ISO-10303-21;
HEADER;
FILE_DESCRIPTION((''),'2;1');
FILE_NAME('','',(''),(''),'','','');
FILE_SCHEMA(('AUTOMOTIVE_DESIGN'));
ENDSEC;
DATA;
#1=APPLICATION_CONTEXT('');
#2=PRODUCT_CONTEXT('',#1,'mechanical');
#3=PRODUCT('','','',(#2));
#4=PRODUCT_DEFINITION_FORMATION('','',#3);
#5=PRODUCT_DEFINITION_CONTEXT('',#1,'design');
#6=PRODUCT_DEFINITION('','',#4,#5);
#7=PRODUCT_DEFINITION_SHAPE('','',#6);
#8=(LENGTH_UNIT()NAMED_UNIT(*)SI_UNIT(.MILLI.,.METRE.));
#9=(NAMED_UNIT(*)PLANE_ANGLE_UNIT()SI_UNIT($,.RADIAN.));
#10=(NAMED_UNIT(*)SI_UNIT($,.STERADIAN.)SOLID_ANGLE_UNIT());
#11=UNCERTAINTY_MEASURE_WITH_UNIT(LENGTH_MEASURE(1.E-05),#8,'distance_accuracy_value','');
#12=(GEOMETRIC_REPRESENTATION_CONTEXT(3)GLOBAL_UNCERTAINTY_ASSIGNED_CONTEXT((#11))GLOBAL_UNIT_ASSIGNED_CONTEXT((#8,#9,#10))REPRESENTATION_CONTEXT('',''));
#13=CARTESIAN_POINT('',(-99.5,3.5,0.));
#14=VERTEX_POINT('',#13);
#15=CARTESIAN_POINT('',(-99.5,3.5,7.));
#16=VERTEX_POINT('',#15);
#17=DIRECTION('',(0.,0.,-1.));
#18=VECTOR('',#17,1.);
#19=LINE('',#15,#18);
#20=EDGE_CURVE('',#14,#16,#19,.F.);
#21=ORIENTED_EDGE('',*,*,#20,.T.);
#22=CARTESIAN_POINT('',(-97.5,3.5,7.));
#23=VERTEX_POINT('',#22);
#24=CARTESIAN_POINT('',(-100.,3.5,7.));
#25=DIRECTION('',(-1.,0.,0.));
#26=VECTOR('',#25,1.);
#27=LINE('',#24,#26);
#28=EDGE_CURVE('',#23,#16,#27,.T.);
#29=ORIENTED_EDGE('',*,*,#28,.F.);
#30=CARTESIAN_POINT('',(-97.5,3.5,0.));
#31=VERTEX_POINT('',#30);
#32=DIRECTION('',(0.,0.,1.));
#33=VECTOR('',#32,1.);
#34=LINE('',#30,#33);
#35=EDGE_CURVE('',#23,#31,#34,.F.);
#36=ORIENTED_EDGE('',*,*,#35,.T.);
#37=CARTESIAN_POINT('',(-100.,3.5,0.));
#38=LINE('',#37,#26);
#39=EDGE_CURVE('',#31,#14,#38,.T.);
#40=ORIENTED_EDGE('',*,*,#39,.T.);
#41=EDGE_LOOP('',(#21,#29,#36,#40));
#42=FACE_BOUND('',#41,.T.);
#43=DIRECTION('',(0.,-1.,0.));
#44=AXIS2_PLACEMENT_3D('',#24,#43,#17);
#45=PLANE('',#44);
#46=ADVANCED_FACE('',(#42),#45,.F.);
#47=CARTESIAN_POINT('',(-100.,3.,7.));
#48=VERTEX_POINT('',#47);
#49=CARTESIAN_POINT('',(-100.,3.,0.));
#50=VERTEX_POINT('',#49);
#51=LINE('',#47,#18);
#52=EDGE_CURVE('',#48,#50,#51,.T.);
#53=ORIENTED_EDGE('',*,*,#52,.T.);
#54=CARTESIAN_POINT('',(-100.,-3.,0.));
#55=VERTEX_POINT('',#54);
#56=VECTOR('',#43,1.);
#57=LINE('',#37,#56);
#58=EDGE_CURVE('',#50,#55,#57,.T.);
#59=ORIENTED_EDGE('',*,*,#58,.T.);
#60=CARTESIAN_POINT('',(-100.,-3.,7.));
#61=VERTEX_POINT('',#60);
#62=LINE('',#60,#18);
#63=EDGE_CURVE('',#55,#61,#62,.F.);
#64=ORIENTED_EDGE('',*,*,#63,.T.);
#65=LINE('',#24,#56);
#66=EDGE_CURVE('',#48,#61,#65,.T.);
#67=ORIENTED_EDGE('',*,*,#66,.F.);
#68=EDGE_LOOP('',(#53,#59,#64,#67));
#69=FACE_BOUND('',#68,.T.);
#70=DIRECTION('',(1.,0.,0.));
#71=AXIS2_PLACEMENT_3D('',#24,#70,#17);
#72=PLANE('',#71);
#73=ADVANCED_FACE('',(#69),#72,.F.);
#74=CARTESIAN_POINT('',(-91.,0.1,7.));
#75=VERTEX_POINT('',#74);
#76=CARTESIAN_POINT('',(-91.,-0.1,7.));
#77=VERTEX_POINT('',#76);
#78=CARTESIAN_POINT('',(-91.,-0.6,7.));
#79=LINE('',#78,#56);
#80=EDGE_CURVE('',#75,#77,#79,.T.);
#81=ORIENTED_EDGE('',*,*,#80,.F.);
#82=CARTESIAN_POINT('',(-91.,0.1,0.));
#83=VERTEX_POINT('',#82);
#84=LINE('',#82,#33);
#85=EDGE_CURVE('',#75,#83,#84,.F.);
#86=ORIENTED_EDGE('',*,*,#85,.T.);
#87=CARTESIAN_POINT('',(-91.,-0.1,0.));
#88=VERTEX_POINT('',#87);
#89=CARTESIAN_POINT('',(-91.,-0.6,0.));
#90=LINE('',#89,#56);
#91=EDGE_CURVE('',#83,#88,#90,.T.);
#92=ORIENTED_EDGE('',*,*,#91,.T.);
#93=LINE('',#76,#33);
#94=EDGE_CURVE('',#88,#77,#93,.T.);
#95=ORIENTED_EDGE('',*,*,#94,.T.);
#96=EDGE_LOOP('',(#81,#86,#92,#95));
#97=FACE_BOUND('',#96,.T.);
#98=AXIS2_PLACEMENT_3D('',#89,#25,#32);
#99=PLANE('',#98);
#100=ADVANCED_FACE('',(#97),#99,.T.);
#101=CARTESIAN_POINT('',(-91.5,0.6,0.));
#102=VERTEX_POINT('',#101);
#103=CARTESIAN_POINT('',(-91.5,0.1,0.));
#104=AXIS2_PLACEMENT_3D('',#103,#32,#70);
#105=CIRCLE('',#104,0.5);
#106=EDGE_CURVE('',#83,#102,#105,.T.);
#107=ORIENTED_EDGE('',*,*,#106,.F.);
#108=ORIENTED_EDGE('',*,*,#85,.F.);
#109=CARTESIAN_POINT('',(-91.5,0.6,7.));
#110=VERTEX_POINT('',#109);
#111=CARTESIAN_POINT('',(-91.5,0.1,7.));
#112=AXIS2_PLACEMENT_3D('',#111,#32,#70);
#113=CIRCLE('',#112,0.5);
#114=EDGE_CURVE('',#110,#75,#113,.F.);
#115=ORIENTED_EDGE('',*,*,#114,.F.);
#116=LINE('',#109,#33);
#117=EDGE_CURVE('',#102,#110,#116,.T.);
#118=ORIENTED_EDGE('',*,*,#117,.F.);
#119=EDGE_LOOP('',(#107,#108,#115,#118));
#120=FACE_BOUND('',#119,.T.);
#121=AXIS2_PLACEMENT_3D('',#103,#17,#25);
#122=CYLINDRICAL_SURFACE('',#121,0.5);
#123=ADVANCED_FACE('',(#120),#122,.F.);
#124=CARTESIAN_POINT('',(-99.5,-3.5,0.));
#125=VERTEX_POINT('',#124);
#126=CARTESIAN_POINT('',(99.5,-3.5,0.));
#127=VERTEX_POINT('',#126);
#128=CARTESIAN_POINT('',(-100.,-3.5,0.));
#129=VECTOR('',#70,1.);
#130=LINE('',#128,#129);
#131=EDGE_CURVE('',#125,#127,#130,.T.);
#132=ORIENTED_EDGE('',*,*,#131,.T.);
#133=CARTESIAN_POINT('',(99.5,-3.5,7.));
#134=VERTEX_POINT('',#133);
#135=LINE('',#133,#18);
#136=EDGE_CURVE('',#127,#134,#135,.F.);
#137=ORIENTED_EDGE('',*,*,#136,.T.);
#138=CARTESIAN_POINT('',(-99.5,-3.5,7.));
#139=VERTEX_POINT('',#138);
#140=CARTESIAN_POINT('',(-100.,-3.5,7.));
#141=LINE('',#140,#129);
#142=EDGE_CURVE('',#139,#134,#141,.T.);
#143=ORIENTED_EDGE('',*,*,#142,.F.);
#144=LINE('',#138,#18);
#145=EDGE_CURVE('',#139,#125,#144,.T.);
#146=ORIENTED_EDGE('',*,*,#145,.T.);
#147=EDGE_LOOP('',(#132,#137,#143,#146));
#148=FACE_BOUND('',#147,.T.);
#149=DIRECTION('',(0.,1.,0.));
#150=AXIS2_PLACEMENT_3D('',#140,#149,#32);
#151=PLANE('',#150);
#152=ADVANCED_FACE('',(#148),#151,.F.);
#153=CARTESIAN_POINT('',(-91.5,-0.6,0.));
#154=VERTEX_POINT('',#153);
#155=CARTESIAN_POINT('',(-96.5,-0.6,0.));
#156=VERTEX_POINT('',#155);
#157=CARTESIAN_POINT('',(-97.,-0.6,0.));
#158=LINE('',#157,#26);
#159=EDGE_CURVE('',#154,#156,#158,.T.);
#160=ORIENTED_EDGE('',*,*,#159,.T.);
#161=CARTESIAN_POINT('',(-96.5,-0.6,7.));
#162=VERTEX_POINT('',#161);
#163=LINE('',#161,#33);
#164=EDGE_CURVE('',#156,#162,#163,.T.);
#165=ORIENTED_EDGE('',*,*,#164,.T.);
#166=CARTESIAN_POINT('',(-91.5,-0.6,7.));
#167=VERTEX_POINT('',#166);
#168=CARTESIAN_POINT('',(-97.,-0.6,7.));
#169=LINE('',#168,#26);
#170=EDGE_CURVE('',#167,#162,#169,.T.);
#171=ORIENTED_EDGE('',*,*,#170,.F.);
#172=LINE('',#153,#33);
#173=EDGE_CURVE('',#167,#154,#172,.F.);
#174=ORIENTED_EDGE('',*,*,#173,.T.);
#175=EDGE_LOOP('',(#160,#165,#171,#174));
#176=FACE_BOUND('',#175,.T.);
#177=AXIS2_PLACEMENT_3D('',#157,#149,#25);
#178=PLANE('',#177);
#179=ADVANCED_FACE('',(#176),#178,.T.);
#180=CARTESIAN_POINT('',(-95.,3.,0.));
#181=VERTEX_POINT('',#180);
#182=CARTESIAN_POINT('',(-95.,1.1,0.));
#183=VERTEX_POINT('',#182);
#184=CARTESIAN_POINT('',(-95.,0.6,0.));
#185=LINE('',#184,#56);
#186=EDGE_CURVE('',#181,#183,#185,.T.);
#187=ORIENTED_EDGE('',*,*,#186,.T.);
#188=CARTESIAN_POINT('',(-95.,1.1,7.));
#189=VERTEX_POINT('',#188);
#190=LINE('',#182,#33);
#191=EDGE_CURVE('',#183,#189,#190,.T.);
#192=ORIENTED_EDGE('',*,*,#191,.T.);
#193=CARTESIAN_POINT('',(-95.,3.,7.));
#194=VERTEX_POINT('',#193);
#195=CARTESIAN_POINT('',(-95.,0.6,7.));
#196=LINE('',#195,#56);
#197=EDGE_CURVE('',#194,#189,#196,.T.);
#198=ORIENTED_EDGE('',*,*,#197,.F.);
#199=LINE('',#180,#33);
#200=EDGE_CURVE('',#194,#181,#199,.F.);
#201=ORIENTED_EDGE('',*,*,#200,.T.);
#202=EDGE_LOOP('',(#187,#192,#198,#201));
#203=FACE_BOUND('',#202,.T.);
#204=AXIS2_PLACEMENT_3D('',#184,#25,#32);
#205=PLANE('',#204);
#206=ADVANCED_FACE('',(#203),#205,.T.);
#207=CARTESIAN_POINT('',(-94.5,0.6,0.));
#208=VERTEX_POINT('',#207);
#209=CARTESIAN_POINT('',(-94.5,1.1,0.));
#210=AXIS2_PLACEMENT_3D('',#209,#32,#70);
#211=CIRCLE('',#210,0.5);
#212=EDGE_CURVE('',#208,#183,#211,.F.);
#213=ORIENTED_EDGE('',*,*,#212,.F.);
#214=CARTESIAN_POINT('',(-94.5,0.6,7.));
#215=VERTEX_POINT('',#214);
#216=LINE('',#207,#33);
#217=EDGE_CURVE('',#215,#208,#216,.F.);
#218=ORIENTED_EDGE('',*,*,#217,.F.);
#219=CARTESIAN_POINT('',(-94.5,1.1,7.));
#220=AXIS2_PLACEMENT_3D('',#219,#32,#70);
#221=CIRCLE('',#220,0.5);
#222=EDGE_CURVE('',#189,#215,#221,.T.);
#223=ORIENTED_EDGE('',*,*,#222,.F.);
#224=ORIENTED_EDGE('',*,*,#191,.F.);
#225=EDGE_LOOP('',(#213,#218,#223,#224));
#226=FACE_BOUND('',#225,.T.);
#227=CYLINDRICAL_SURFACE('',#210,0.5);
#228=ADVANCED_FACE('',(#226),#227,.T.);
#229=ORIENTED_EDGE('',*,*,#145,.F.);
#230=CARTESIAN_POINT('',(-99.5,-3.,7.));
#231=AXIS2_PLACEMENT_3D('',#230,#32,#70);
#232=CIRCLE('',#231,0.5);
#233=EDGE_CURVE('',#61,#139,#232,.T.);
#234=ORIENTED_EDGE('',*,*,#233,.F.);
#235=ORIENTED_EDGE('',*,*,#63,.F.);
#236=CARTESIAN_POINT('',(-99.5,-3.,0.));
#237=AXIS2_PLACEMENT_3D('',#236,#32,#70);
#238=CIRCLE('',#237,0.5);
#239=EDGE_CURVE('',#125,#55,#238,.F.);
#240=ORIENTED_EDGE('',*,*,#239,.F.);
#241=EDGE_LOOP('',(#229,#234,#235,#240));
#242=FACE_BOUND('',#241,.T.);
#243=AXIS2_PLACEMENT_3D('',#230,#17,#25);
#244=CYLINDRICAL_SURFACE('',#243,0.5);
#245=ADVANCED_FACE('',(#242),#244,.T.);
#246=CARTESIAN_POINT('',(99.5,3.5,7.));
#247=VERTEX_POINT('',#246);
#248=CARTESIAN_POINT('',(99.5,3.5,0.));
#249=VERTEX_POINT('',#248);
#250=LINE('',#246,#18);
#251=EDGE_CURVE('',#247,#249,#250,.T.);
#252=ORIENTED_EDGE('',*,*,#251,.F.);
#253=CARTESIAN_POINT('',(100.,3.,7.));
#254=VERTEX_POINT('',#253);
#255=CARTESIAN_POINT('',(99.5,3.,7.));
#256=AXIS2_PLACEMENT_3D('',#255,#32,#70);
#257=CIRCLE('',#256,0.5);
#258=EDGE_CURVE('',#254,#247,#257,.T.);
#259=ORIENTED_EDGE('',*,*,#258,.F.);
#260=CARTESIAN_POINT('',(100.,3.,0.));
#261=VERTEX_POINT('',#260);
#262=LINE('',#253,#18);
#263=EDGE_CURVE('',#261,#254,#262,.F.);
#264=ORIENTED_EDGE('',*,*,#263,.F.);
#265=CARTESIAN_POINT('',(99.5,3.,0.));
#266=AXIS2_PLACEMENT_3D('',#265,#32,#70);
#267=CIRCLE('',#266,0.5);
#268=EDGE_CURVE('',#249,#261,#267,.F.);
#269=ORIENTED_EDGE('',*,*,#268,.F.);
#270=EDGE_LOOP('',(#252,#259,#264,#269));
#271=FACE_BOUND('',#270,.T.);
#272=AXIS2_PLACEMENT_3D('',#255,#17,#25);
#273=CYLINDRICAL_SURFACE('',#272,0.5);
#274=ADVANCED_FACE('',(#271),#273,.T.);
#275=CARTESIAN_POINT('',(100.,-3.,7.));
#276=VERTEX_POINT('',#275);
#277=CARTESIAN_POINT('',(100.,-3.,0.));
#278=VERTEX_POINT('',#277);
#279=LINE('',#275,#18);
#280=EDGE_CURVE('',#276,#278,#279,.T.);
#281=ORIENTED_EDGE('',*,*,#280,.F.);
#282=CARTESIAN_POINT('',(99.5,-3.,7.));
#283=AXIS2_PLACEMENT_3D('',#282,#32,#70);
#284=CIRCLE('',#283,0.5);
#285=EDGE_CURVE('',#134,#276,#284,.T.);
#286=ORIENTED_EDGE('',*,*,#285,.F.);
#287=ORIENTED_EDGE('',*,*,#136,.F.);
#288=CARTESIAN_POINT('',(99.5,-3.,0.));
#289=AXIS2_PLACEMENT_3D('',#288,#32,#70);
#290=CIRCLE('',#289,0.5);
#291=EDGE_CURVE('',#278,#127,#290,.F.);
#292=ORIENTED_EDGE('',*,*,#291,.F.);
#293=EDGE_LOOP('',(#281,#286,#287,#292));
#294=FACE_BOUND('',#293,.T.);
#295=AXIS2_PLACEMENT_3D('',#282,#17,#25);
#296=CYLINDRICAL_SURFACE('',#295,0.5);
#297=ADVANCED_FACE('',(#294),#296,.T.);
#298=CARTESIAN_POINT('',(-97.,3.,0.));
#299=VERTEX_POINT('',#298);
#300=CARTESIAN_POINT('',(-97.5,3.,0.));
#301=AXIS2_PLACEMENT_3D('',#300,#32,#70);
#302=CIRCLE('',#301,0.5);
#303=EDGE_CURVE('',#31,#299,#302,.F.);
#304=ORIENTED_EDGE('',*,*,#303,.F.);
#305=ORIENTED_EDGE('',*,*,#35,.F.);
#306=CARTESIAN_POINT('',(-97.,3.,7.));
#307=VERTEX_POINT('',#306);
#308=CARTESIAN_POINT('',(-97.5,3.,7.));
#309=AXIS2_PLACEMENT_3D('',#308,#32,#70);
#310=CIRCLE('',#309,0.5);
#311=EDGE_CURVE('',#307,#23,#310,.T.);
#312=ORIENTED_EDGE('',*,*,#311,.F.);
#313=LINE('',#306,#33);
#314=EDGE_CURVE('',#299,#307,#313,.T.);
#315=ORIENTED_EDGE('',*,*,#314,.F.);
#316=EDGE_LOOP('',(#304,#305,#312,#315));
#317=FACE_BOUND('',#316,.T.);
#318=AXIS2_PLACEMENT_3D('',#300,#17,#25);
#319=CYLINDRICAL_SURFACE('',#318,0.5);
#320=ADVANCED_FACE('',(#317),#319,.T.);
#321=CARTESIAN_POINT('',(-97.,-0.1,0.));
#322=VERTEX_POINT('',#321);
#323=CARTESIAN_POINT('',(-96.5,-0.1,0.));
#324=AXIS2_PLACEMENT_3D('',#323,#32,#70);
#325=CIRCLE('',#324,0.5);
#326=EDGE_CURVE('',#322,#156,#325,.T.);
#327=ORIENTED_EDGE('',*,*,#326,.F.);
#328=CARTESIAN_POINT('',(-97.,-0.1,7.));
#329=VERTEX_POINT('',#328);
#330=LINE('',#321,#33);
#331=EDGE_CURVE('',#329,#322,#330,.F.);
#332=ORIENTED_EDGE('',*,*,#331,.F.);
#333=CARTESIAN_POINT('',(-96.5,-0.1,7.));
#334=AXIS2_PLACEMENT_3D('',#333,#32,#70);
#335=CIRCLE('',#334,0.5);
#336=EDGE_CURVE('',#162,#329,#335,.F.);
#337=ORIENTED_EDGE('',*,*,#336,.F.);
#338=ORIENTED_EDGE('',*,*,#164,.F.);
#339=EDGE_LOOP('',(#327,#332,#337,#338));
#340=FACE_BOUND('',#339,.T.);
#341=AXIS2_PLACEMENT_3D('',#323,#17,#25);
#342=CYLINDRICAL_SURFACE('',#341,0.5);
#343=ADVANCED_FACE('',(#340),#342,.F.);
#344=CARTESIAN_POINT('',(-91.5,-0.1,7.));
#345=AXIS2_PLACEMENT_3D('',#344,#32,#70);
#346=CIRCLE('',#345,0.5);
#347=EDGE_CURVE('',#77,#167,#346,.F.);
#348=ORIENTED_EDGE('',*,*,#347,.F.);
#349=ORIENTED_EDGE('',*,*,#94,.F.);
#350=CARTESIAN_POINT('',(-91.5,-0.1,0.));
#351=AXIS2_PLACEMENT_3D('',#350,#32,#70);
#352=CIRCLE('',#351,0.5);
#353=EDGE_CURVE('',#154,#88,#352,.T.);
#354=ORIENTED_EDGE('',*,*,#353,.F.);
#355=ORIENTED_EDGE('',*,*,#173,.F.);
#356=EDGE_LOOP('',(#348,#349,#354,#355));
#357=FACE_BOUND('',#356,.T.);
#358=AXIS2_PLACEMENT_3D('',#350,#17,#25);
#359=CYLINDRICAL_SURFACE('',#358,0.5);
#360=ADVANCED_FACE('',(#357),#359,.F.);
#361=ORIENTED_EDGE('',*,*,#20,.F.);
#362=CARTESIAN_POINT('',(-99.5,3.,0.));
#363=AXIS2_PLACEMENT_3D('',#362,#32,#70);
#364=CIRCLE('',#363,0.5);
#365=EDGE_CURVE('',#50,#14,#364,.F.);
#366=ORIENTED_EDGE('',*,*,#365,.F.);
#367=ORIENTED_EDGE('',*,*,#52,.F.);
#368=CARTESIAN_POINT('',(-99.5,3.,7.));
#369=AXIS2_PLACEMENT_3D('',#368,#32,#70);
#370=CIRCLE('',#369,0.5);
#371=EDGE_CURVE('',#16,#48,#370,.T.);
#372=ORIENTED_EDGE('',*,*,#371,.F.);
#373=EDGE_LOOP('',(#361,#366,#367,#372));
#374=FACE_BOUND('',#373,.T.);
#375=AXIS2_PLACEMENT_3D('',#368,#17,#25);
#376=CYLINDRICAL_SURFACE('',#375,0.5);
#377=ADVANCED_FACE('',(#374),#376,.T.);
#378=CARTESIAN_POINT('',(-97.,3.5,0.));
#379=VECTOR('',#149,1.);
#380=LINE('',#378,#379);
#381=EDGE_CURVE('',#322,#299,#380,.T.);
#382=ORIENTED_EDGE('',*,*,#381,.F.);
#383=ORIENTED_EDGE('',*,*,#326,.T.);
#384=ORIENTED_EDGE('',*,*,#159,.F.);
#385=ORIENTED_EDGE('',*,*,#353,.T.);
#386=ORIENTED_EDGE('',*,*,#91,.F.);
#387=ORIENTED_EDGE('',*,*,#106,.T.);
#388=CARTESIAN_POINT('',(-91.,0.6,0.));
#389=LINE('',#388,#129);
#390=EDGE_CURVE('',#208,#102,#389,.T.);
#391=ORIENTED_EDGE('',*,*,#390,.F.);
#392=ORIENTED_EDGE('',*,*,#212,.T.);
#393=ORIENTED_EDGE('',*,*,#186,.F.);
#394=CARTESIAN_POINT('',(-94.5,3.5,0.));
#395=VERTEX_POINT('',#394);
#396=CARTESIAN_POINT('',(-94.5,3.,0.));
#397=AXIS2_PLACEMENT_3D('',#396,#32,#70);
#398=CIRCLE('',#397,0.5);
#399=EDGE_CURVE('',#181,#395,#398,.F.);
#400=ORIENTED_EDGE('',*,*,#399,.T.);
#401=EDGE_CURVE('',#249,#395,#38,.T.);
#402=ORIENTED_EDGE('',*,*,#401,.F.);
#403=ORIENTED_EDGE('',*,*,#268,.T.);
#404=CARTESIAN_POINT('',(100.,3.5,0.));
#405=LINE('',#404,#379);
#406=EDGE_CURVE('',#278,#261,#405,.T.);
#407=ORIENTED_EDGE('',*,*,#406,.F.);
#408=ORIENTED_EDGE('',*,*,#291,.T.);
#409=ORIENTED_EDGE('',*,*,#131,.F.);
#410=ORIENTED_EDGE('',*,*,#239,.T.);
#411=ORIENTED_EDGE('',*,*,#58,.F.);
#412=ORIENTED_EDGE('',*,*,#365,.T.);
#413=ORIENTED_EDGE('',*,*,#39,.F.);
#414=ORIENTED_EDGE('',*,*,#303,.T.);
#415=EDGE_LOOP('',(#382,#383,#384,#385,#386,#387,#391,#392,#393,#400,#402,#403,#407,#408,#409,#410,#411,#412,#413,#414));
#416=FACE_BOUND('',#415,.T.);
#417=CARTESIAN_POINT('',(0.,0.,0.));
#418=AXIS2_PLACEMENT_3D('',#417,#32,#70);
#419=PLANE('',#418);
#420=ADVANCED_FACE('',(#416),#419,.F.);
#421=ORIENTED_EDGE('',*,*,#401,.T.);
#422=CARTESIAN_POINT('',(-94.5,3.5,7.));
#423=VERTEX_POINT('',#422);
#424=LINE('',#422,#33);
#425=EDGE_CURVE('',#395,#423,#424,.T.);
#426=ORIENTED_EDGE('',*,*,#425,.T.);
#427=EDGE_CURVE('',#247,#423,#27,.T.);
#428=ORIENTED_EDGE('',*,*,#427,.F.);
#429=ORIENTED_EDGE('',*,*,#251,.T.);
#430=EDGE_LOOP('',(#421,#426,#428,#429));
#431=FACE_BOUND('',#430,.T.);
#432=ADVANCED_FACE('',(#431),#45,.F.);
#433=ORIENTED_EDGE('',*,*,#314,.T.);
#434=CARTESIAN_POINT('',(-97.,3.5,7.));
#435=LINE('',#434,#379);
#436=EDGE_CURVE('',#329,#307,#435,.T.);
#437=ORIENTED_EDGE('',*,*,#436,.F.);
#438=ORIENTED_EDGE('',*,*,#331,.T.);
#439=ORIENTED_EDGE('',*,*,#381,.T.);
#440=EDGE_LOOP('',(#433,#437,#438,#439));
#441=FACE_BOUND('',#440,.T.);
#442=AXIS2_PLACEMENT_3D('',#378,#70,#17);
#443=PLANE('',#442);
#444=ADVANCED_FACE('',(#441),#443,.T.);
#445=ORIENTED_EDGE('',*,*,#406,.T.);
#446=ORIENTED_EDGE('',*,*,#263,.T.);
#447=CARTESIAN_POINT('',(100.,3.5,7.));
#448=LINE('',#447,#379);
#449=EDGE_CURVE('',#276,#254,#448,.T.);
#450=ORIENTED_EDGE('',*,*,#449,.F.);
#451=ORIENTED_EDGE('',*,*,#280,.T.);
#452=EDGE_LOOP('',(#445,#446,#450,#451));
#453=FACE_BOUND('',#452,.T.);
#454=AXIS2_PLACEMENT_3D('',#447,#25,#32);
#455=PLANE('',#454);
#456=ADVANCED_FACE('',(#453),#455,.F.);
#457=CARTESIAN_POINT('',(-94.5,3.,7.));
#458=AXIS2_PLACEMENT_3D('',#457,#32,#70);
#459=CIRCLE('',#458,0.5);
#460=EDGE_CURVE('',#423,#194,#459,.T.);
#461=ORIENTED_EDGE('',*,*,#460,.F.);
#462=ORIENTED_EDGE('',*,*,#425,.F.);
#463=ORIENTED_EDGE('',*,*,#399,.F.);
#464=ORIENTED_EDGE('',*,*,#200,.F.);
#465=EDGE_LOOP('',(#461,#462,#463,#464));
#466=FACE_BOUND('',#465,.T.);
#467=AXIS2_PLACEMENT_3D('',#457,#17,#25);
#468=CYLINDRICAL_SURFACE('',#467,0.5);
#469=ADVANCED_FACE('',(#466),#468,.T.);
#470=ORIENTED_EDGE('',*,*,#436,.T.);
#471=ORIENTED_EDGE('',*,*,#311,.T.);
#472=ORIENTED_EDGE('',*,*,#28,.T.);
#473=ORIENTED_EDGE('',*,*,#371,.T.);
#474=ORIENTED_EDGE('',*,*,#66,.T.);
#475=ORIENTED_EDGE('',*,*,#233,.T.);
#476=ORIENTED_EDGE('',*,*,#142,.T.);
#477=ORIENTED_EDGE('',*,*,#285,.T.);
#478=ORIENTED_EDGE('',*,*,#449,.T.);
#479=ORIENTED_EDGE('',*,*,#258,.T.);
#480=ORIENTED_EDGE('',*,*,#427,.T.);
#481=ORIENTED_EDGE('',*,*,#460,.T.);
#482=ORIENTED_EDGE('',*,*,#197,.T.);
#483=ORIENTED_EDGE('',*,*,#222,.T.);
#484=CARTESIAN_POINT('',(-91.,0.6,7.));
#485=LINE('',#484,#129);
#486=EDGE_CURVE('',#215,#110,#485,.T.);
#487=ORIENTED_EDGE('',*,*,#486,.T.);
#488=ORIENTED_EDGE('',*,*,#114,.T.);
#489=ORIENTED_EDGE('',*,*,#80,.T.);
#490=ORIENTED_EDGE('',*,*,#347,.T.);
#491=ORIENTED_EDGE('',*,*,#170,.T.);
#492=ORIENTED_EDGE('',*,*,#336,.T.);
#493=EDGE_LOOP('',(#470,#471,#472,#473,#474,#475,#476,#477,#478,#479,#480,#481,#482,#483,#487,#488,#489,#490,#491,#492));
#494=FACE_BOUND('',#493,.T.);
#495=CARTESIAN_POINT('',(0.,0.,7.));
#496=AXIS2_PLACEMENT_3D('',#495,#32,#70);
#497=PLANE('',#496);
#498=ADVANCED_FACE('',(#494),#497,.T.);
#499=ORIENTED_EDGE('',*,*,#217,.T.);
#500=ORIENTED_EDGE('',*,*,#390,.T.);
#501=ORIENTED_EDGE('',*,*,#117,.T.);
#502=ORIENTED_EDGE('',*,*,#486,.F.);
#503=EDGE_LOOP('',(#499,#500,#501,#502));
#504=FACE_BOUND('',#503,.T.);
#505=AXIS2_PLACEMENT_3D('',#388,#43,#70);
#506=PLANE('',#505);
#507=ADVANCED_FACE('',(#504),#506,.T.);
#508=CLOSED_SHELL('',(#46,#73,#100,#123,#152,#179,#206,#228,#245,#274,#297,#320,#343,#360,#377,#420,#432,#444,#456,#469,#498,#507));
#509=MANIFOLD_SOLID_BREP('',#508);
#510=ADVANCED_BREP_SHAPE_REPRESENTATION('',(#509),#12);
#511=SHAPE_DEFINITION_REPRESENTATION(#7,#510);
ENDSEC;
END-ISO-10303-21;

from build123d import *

# Parameters (mm, degrees)
SKETCH1_W           = 200
SKETCH1_H           = 7
BOSS_EXTRUDE1_DEPTH = 7
CUT_EXTRUDE2_DEPTH  = 101.488805347
FILLET1_R           = 0.5


with BuildPart() as part:
    # Sketch1 → Boss-Extrude1 (new body)
    with BuildSketch(Plane.XY):
        Rectangle(SKETCH1_W, SKETCH1_H)
    extrude(amount=BOSS_EXTRUDE1_DEPTH)

    # Sketch2 → Cut-Extrude2 (cut, through all)
    with BuildSketch(Plane(origin=(0, -3.5, 7), x_dir=(1, 0, 0), z_dir=(0, 0, -1))):
        Polygon((-97, -7), (-97, -2.9), (-91, -2.9), (-91, -4.1), (-95, -4.1), (-95, -7), align=None)
    extrude(amount=CUT_EXTRUDE2_DEPTH, mode=Mode.SUBTRACT)

    # Fillet1
    fillet1_edges = [part.edges().sort_by_distance(p)[0] for p in [
        (-97, 3.5, 3.5),
        (-95, 3.5, 3.5),
        (-95, 0.6, 3.5),
        (-91, 0.6, 3.5),
        (-91, -0.6, 3.5),
        (-97, -0.6, 3.5),
        (100, -3.5, 3.5),
        (-100, -3.5, 3.5),
        (-100, 3.5, 3.5),
        (100, 3.5, 3.5),
    ]]
    fillet(fillet1_edges, radius=FILLET1_R)


solid = part.part
